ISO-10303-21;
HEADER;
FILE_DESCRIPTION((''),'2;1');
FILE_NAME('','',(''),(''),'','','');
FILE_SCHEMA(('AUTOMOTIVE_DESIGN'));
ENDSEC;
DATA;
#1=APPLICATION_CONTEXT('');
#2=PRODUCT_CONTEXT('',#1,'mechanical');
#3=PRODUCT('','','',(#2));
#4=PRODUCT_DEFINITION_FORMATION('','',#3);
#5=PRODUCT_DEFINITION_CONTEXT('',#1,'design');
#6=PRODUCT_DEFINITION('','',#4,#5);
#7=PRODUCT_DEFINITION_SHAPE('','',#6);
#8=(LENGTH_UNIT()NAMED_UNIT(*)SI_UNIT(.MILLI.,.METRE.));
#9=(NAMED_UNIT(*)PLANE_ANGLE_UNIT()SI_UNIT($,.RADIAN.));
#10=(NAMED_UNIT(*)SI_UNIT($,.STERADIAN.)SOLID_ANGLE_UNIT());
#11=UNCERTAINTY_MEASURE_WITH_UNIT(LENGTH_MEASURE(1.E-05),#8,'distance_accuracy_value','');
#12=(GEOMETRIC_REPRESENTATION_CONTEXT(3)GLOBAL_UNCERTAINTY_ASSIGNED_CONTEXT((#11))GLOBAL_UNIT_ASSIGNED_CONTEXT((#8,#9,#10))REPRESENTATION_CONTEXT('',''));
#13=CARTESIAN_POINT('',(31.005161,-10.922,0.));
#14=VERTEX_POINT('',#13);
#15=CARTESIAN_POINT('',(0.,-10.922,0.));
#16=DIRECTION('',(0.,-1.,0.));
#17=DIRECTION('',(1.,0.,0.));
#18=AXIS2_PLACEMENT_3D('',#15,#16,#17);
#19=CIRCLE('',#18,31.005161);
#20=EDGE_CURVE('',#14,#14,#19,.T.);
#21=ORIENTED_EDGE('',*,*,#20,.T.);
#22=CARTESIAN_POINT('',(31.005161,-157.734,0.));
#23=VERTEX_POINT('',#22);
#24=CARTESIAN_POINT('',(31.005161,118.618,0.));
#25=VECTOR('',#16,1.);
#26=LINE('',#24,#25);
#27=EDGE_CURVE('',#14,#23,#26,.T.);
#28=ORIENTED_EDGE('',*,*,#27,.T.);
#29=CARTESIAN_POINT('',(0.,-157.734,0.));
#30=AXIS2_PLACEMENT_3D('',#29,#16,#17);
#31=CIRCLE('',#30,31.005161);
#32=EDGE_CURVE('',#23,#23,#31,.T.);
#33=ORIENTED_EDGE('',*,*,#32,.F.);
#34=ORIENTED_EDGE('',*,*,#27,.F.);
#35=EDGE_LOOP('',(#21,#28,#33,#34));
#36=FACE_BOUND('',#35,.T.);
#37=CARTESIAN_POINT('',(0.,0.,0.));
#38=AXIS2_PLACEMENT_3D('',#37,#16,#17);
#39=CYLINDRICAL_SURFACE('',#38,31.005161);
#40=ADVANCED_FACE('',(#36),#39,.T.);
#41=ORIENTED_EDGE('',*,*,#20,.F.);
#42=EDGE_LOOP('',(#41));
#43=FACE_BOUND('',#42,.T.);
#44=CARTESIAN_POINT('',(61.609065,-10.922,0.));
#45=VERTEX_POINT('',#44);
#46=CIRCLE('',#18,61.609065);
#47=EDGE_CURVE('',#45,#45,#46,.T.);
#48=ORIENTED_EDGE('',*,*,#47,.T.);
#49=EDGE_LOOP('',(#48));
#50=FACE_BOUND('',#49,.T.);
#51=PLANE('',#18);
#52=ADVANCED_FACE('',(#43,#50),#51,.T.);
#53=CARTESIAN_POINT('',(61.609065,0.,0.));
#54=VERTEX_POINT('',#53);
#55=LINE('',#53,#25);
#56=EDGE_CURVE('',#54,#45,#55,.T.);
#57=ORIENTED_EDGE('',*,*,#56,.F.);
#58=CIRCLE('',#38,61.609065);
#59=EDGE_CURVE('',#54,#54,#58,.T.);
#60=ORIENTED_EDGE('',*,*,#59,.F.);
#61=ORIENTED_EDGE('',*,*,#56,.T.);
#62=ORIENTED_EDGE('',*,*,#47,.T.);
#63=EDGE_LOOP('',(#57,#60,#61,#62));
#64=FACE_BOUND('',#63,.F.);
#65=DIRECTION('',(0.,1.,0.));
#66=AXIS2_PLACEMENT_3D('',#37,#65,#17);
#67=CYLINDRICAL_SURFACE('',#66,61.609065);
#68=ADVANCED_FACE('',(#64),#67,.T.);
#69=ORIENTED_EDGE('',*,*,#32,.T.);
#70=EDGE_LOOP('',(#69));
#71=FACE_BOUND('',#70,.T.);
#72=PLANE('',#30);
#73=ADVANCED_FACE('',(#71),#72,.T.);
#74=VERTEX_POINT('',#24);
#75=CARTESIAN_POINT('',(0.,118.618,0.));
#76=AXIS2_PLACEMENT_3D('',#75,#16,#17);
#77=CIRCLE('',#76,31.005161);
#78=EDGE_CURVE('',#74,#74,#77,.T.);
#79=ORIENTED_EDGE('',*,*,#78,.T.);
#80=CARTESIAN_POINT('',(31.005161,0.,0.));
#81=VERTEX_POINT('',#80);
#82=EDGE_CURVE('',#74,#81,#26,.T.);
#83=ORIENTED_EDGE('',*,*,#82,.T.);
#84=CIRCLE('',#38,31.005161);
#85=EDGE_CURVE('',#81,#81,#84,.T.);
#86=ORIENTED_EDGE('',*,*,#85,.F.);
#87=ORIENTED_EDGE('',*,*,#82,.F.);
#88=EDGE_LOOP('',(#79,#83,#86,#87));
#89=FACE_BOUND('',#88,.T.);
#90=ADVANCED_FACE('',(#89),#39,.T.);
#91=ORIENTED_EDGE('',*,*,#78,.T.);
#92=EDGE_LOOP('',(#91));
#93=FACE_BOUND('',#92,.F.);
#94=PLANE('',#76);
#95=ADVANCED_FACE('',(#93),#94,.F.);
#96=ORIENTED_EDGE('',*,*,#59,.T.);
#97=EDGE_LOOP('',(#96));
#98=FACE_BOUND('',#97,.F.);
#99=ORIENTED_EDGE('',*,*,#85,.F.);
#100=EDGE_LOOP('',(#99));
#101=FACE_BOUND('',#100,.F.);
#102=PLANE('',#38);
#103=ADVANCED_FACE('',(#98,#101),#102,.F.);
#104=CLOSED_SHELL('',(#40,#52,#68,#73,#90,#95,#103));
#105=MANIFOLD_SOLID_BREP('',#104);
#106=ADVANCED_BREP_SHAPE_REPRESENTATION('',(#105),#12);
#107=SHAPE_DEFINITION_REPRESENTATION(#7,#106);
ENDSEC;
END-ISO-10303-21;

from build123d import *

# Parameters (mm, degrees)
F0_R          = 31.005161
F1_DEPTH      = 157.734
F1_DEPTH_BACK = 118.618
F0_R_2        = 61.609065
F2_DEPTH      = 10.922


with BuildPart() as f1:
    # F0 (on Front) → F1 (new body, two sides)
    with BuildSketch(Plane.XZ) as f1_sk:
        Circle(F0_R)
    extrude(amount=F1_DEPTH)
    extrude(f1_sk.sketch, amount=-F1_DEPTH_BACK)

    # F0 (on Front) → F2 (join)
    with BuildSketch(Plane.XZ):
        Circle(F0_R_2)
        Circle(F0_R, mode=Mode.SUBTRACT)
    extrude(amount=F2_DEPTH)


solid = f1.part
